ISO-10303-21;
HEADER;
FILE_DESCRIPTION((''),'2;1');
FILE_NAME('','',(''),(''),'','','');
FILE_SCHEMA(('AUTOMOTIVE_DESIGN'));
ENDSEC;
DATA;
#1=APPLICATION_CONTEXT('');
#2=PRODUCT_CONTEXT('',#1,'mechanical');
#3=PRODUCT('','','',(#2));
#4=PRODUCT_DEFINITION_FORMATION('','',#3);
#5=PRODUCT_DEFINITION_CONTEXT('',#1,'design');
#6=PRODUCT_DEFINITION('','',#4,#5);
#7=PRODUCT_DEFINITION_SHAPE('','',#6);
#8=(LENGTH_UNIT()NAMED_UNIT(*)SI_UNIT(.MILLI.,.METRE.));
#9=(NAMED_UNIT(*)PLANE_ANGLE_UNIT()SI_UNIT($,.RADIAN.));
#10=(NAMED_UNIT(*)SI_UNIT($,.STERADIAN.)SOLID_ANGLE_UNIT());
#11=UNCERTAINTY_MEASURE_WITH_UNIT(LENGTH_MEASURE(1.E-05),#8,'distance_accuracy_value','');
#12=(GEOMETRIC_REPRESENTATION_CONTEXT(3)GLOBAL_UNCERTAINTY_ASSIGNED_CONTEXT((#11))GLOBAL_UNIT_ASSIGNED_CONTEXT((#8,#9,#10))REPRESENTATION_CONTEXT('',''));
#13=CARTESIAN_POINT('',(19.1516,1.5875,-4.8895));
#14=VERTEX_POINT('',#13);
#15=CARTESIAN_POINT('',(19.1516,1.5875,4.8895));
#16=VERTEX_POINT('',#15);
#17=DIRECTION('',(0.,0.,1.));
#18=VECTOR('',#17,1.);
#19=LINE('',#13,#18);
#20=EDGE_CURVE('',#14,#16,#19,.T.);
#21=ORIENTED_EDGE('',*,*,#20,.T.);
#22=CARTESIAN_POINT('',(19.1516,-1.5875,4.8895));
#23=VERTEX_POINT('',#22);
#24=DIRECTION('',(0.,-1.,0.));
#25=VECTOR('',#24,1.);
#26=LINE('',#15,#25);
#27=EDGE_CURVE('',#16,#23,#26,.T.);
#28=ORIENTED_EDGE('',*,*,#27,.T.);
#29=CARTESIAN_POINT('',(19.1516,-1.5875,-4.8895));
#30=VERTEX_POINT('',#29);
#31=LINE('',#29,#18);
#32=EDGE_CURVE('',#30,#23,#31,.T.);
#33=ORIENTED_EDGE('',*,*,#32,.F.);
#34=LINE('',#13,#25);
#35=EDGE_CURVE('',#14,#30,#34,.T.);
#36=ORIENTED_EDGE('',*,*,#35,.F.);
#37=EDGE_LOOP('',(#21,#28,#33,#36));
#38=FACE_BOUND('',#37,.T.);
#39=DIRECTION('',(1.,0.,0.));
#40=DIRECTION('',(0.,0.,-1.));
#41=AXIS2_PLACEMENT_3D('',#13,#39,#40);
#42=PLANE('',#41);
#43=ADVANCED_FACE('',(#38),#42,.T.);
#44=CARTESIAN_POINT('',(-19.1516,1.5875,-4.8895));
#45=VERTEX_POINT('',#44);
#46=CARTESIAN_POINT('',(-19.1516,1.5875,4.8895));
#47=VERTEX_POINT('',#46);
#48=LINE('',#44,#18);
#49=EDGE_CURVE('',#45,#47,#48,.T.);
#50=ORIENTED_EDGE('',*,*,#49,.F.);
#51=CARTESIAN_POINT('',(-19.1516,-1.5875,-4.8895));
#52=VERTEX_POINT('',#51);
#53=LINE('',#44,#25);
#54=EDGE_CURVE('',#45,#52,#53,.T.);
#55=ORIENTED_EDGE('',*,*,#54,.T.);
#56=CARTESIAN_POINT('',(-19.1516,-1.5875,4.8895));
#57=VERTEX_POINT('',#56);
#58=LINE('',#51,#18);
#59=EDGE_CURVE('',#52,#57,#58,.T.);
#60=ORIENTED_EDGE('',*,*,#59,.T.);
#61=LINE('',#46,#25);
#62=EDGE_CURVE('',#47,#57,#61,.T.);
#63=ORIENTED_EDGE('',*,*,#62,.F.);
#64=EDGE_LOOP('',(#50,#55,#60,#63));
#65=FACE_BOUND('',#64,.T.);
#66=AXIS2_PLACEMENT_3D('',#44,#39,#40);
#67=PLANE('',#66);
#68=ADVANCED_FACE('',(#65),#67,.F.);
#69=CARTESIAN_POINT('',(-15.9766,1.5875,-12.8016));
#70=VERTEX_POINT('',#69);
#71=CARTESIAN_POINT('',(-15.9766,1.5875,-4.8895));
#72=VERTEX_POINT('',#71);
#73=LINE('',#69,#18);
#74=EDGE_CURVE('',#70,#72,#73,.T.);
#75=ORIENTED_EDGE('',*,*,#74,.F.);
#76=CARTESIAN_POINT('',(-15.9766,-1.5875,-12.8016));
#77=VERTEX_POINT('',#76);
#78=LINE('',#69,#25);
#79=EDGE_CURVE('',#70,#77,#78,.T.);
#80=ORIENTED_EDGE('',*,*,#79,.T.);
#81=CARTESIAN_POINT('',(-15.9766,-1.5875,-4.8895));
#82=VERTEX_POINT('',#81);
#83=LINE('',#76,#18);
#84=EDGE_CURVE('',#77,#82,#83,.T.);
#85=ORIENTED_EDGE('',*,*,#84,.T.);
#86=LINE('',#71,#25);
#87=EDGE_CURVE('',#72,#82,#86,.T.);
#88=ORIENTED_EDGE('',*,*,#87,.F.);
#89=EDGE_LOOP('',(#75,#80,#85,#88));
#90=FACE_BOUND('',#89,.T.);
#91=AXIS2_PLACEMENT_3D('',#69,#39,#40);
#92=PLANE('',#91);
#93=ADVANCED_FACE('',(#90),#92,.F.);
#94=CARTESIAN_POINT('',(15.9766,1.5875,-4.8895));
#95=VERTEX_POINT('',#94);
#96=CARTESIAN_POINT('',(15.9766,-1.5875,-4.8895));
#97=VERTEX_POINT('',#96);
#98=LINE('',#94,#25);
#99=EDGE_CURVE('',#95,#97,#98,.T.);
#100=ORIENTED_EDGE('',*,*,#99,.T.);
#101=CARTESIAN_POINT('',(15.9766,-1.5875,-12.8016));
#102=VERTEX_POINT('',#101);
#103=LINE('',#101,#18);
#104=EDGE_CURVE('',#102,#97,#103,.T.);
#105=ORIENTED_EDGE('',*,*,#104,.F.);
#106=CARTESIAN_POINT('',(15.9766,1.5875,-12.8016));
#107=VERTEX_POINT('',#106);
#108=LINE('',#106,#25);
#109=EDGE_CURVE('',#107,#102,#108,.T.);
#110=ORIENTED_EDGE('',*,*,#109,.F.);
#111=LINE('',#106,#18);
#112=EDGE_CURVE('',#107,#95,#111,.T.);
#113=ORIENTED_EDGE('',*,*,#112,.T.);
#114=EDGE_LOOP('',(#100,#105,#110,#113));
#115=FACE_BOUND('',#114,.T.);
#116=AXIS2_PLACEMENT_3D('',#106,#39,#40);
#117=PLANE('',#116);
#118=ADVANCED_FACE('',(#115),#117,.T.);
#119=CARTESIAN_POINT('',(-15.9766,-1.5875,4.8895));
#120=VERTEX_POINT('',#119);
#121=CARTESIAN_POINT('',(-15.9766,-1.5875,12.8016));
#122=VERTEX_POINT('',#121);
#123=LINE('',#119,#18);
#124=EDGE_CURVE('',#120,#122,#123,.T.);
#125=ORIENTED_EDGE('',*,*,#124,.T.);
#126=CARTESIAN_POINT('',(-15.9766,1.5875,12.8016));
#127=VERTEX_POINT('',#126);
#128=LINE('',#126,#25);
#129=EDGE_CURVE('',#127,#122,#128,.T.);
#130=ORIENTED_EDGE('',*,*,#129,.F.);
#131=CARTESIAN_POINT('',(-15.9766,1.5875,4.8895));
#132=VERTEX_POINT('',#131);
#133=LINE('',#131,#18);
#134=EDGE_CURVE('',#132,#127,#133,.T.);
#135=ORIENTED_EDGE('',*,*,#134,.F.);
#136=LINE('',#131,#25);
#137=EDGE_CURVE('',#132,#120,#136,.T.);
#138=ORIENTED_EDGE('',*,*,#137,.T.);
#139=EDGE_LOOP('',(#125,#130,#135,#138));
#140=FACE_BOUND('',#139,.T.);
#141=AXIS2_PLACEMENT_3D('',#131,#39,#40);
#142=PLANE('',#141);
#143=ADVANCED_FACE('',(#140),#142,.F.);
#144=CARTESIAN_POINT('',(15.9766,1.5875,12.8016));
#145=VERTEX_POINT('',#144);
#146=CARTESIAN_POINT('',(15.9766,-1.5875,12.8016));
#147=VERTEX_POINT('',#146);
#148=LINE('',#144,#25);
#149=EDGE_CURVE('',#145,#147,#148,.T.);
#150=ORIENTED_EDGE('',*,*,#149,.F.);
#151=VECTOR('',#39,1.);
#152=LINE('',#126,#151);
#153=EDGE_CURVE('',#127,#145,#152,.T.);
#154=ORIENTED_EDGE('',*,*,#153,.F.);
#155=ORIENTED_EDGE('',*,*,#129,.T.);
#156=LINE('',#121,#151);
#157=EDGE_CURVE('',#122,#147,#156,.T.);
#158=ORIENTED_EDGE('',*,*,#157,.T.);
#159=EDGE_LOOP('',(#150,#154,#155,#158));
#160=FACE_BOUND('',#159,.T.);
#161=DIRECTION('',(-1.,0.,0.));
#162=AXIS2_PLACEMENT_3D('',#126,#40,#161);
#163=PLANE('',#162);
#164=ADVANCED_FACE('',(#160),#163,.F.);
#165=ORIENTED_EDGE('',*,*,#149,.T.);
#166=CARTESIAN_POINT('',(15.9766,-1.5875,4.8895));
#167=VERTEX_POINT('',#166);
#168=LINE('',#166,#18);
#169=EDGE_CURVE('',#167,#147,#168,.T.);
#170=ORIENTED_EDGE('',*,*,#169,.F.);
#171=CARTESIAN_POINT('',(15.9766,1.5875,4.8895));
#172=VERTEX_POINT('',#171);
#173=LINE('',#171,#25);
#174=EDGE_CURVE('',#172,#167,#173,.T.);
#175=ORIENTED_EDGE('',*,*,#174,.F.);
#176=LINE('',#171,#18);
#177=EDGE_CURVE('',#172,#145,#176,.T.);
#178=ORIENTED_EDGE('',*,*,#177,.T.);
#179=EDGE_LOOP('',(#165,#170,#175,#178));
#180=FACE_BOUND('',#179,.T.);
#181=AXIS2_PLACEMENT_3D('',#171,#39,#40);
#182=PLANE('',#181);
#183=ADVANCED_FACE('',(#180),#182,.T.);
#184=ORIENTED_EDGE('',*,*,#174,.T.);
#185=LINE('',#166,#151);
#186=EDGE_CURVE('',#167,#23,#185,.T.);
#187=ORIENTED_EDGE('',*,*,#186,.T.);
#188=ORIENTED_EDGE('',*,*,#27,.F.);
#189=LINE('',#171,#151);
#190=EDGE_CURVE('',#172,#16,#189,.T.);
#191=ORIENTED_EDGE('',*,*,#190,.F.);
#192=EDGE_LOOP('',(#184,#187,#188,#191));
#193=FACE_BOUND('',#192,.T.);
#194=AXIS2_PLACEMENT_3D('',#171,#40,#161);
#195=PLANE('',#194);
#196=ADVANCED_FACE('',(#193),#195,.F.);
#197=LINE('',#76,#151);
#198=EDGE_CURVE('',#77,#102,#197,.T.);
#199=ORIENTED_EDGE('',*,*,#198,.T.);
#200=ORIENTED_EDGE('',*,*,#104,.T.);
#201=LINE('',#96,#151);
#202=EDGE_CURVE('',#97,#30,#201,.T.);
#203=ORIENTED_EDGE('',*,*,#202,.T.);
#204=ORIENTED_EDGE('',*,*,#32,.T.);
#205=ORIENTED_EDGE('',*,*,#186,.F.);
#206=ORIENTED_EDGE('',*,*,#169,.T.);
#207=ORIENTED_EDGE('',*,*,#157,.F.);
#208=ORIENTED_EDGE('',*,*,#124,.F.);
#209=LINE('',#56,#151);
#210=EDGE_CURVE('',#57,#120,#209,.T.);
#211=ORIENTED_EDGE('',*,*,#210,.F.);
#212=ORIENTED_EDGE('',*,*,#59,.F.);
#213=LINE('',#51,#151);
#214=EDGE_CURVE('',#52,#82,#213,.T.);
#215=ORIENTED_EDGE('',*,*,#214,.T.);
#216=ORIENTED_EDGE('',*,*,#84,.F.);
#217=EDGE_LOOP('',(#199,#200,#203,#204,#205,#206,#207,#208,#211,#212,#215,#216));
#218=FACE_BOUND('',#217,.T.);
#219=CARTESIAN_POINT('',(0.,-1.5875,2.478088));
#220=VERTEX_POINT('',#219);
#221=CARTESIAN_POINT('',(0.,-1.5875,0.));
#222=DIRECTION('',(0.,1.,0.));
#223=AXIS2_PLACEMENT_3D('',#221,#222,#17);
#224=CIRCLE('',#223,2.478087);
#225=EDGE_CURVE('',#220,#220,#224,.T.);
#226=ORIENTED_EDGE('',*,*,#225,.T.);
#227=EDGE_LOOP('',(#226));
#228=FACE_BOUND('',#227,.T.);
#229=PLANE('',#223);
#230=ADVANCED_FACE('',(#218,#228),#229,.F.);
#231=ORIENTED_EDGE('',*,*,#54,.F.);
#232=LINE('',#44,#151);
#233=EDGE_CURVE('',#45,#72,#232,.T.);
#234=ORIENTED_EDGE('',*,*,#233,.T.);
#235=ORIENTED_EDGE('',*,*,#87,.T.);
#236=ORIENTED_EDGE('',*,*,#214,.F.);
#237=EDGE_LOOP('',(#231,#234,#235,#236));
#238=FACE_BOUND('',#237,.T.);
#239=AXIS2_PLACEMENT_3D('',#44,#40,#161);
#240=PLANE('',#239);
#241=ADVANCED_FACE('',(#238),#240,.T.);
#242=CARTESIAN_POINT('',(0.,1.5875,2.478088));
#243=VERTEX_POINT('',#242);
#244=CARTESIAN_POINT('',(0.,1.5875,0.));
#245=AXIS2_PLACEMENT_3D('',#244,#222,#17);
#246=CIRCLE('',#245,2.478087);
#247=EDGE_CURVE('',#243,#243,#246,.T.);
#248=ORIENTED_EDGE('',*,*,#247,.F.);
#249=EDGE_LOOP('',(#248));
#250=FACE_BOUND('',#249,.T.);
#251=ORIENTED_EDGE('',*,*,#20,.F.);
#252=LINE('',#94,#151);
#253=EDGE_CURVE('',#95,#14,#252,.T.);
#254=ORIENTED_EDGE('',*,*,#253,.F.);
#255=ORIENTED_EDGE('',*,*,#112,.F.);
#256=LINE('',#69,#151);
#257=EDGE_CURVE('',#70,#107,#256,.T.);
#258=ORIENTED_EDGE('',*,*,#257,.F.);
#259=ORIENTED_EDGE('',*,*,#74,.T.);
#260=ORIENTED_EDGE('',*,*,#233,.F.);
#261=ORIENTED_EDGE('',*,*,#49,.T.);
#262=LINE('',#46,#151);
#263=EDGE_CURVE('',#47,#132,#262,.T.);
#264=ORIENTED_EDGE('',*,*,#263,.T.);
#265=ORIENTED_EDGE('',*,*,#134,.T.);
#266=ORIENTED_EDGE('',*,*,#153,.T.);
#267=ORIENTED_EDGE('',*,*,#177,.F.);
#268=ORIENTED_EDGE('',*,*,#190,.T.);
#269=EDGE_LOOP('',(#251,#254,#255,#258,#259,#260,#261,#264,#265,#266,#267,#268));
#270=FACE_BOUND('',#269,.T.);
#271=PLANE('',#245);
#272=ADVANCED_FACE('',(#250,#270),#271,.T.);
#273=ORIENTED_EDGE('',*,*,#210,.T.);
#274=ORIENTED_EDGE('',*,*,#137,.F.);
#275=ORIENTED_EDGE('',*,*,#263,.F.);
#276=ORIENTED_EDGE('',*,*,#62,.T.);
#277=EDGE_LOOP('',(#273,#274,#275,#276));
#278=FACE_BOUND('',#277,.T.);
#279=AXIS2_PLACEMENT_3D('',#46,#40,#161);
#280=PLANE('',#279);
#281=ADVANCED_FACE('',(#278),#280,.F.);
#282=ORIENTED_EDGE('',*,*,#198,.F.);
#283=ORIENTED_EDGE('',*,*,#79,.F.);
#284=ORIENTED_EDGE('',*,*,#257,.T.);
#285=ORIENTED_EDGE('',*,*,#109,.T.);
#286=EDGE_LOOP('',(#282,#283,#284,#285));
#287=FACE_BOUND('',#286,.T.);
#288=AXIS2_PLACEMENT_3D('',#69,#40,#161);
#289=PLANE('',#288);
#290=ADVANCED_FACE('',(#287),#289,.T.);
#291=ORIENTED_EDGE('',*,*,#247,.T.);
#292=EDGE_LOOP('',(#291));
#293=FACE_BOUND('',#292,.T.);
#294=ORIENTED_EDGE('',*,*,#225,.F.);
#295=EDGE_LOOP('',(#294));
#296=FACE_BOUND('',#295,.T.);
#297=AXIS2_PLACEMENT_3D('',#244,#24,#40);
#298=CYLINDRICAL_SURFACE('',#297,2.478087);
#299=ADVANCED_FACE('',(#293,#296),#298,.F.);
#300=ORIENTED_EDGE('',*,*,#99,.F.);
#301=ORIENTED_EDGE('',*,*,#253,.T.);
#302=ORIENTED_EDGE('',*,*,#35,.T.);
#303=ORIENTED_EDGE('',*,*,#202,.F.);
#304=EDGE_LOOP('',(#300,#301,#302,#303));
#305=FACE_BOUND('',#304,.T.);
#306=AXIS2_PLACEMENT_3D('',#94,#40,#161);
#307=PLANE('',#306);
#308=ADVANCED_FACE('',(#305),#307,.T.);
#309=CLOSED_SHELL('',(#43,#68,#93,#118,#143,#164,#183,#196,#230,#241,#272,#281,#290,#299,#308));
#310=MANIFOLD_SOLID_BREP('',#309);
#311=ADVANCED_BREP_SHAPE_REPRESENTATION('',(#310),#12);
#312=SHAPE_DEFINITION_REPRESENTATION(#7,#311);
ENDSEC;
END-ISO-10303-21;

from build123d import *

# Parameters (mm, degrees)
SKETCH1_R           = 2.4780875
BOSS_EXTRUDE1_DEPTH = 1.5875


with BuildPart() as part:
    # Sketch1 → Boss-Extrude1 (new body, symmetric)
    with BuildSketch(Plane(origin=(0, 0, 0), x_dir=(1, 0, 0), z_dir=(0, 1, 0))):
        Polygon((-15.9766, 12.8016), (15.9766, 12.8016), (15.9766, 4.8895), (19.1516, 4.8895), (19.1516, -4.8895), (15.9766, -4.8895), (15.9766, -12.8016), (-15.9766, -12.8016), (-15.9766, -4.8895), (-19.1516, -4.8895), (-19.1516, 4.8895), (-15.9766, 4.8895), align=None)
        Circle(SKETCH1_R, mode=Mode.SUBTRACT)
    extrude(amount=BOSS_EXTRUDE1_DEPTH, both=True)


solid = part.part
